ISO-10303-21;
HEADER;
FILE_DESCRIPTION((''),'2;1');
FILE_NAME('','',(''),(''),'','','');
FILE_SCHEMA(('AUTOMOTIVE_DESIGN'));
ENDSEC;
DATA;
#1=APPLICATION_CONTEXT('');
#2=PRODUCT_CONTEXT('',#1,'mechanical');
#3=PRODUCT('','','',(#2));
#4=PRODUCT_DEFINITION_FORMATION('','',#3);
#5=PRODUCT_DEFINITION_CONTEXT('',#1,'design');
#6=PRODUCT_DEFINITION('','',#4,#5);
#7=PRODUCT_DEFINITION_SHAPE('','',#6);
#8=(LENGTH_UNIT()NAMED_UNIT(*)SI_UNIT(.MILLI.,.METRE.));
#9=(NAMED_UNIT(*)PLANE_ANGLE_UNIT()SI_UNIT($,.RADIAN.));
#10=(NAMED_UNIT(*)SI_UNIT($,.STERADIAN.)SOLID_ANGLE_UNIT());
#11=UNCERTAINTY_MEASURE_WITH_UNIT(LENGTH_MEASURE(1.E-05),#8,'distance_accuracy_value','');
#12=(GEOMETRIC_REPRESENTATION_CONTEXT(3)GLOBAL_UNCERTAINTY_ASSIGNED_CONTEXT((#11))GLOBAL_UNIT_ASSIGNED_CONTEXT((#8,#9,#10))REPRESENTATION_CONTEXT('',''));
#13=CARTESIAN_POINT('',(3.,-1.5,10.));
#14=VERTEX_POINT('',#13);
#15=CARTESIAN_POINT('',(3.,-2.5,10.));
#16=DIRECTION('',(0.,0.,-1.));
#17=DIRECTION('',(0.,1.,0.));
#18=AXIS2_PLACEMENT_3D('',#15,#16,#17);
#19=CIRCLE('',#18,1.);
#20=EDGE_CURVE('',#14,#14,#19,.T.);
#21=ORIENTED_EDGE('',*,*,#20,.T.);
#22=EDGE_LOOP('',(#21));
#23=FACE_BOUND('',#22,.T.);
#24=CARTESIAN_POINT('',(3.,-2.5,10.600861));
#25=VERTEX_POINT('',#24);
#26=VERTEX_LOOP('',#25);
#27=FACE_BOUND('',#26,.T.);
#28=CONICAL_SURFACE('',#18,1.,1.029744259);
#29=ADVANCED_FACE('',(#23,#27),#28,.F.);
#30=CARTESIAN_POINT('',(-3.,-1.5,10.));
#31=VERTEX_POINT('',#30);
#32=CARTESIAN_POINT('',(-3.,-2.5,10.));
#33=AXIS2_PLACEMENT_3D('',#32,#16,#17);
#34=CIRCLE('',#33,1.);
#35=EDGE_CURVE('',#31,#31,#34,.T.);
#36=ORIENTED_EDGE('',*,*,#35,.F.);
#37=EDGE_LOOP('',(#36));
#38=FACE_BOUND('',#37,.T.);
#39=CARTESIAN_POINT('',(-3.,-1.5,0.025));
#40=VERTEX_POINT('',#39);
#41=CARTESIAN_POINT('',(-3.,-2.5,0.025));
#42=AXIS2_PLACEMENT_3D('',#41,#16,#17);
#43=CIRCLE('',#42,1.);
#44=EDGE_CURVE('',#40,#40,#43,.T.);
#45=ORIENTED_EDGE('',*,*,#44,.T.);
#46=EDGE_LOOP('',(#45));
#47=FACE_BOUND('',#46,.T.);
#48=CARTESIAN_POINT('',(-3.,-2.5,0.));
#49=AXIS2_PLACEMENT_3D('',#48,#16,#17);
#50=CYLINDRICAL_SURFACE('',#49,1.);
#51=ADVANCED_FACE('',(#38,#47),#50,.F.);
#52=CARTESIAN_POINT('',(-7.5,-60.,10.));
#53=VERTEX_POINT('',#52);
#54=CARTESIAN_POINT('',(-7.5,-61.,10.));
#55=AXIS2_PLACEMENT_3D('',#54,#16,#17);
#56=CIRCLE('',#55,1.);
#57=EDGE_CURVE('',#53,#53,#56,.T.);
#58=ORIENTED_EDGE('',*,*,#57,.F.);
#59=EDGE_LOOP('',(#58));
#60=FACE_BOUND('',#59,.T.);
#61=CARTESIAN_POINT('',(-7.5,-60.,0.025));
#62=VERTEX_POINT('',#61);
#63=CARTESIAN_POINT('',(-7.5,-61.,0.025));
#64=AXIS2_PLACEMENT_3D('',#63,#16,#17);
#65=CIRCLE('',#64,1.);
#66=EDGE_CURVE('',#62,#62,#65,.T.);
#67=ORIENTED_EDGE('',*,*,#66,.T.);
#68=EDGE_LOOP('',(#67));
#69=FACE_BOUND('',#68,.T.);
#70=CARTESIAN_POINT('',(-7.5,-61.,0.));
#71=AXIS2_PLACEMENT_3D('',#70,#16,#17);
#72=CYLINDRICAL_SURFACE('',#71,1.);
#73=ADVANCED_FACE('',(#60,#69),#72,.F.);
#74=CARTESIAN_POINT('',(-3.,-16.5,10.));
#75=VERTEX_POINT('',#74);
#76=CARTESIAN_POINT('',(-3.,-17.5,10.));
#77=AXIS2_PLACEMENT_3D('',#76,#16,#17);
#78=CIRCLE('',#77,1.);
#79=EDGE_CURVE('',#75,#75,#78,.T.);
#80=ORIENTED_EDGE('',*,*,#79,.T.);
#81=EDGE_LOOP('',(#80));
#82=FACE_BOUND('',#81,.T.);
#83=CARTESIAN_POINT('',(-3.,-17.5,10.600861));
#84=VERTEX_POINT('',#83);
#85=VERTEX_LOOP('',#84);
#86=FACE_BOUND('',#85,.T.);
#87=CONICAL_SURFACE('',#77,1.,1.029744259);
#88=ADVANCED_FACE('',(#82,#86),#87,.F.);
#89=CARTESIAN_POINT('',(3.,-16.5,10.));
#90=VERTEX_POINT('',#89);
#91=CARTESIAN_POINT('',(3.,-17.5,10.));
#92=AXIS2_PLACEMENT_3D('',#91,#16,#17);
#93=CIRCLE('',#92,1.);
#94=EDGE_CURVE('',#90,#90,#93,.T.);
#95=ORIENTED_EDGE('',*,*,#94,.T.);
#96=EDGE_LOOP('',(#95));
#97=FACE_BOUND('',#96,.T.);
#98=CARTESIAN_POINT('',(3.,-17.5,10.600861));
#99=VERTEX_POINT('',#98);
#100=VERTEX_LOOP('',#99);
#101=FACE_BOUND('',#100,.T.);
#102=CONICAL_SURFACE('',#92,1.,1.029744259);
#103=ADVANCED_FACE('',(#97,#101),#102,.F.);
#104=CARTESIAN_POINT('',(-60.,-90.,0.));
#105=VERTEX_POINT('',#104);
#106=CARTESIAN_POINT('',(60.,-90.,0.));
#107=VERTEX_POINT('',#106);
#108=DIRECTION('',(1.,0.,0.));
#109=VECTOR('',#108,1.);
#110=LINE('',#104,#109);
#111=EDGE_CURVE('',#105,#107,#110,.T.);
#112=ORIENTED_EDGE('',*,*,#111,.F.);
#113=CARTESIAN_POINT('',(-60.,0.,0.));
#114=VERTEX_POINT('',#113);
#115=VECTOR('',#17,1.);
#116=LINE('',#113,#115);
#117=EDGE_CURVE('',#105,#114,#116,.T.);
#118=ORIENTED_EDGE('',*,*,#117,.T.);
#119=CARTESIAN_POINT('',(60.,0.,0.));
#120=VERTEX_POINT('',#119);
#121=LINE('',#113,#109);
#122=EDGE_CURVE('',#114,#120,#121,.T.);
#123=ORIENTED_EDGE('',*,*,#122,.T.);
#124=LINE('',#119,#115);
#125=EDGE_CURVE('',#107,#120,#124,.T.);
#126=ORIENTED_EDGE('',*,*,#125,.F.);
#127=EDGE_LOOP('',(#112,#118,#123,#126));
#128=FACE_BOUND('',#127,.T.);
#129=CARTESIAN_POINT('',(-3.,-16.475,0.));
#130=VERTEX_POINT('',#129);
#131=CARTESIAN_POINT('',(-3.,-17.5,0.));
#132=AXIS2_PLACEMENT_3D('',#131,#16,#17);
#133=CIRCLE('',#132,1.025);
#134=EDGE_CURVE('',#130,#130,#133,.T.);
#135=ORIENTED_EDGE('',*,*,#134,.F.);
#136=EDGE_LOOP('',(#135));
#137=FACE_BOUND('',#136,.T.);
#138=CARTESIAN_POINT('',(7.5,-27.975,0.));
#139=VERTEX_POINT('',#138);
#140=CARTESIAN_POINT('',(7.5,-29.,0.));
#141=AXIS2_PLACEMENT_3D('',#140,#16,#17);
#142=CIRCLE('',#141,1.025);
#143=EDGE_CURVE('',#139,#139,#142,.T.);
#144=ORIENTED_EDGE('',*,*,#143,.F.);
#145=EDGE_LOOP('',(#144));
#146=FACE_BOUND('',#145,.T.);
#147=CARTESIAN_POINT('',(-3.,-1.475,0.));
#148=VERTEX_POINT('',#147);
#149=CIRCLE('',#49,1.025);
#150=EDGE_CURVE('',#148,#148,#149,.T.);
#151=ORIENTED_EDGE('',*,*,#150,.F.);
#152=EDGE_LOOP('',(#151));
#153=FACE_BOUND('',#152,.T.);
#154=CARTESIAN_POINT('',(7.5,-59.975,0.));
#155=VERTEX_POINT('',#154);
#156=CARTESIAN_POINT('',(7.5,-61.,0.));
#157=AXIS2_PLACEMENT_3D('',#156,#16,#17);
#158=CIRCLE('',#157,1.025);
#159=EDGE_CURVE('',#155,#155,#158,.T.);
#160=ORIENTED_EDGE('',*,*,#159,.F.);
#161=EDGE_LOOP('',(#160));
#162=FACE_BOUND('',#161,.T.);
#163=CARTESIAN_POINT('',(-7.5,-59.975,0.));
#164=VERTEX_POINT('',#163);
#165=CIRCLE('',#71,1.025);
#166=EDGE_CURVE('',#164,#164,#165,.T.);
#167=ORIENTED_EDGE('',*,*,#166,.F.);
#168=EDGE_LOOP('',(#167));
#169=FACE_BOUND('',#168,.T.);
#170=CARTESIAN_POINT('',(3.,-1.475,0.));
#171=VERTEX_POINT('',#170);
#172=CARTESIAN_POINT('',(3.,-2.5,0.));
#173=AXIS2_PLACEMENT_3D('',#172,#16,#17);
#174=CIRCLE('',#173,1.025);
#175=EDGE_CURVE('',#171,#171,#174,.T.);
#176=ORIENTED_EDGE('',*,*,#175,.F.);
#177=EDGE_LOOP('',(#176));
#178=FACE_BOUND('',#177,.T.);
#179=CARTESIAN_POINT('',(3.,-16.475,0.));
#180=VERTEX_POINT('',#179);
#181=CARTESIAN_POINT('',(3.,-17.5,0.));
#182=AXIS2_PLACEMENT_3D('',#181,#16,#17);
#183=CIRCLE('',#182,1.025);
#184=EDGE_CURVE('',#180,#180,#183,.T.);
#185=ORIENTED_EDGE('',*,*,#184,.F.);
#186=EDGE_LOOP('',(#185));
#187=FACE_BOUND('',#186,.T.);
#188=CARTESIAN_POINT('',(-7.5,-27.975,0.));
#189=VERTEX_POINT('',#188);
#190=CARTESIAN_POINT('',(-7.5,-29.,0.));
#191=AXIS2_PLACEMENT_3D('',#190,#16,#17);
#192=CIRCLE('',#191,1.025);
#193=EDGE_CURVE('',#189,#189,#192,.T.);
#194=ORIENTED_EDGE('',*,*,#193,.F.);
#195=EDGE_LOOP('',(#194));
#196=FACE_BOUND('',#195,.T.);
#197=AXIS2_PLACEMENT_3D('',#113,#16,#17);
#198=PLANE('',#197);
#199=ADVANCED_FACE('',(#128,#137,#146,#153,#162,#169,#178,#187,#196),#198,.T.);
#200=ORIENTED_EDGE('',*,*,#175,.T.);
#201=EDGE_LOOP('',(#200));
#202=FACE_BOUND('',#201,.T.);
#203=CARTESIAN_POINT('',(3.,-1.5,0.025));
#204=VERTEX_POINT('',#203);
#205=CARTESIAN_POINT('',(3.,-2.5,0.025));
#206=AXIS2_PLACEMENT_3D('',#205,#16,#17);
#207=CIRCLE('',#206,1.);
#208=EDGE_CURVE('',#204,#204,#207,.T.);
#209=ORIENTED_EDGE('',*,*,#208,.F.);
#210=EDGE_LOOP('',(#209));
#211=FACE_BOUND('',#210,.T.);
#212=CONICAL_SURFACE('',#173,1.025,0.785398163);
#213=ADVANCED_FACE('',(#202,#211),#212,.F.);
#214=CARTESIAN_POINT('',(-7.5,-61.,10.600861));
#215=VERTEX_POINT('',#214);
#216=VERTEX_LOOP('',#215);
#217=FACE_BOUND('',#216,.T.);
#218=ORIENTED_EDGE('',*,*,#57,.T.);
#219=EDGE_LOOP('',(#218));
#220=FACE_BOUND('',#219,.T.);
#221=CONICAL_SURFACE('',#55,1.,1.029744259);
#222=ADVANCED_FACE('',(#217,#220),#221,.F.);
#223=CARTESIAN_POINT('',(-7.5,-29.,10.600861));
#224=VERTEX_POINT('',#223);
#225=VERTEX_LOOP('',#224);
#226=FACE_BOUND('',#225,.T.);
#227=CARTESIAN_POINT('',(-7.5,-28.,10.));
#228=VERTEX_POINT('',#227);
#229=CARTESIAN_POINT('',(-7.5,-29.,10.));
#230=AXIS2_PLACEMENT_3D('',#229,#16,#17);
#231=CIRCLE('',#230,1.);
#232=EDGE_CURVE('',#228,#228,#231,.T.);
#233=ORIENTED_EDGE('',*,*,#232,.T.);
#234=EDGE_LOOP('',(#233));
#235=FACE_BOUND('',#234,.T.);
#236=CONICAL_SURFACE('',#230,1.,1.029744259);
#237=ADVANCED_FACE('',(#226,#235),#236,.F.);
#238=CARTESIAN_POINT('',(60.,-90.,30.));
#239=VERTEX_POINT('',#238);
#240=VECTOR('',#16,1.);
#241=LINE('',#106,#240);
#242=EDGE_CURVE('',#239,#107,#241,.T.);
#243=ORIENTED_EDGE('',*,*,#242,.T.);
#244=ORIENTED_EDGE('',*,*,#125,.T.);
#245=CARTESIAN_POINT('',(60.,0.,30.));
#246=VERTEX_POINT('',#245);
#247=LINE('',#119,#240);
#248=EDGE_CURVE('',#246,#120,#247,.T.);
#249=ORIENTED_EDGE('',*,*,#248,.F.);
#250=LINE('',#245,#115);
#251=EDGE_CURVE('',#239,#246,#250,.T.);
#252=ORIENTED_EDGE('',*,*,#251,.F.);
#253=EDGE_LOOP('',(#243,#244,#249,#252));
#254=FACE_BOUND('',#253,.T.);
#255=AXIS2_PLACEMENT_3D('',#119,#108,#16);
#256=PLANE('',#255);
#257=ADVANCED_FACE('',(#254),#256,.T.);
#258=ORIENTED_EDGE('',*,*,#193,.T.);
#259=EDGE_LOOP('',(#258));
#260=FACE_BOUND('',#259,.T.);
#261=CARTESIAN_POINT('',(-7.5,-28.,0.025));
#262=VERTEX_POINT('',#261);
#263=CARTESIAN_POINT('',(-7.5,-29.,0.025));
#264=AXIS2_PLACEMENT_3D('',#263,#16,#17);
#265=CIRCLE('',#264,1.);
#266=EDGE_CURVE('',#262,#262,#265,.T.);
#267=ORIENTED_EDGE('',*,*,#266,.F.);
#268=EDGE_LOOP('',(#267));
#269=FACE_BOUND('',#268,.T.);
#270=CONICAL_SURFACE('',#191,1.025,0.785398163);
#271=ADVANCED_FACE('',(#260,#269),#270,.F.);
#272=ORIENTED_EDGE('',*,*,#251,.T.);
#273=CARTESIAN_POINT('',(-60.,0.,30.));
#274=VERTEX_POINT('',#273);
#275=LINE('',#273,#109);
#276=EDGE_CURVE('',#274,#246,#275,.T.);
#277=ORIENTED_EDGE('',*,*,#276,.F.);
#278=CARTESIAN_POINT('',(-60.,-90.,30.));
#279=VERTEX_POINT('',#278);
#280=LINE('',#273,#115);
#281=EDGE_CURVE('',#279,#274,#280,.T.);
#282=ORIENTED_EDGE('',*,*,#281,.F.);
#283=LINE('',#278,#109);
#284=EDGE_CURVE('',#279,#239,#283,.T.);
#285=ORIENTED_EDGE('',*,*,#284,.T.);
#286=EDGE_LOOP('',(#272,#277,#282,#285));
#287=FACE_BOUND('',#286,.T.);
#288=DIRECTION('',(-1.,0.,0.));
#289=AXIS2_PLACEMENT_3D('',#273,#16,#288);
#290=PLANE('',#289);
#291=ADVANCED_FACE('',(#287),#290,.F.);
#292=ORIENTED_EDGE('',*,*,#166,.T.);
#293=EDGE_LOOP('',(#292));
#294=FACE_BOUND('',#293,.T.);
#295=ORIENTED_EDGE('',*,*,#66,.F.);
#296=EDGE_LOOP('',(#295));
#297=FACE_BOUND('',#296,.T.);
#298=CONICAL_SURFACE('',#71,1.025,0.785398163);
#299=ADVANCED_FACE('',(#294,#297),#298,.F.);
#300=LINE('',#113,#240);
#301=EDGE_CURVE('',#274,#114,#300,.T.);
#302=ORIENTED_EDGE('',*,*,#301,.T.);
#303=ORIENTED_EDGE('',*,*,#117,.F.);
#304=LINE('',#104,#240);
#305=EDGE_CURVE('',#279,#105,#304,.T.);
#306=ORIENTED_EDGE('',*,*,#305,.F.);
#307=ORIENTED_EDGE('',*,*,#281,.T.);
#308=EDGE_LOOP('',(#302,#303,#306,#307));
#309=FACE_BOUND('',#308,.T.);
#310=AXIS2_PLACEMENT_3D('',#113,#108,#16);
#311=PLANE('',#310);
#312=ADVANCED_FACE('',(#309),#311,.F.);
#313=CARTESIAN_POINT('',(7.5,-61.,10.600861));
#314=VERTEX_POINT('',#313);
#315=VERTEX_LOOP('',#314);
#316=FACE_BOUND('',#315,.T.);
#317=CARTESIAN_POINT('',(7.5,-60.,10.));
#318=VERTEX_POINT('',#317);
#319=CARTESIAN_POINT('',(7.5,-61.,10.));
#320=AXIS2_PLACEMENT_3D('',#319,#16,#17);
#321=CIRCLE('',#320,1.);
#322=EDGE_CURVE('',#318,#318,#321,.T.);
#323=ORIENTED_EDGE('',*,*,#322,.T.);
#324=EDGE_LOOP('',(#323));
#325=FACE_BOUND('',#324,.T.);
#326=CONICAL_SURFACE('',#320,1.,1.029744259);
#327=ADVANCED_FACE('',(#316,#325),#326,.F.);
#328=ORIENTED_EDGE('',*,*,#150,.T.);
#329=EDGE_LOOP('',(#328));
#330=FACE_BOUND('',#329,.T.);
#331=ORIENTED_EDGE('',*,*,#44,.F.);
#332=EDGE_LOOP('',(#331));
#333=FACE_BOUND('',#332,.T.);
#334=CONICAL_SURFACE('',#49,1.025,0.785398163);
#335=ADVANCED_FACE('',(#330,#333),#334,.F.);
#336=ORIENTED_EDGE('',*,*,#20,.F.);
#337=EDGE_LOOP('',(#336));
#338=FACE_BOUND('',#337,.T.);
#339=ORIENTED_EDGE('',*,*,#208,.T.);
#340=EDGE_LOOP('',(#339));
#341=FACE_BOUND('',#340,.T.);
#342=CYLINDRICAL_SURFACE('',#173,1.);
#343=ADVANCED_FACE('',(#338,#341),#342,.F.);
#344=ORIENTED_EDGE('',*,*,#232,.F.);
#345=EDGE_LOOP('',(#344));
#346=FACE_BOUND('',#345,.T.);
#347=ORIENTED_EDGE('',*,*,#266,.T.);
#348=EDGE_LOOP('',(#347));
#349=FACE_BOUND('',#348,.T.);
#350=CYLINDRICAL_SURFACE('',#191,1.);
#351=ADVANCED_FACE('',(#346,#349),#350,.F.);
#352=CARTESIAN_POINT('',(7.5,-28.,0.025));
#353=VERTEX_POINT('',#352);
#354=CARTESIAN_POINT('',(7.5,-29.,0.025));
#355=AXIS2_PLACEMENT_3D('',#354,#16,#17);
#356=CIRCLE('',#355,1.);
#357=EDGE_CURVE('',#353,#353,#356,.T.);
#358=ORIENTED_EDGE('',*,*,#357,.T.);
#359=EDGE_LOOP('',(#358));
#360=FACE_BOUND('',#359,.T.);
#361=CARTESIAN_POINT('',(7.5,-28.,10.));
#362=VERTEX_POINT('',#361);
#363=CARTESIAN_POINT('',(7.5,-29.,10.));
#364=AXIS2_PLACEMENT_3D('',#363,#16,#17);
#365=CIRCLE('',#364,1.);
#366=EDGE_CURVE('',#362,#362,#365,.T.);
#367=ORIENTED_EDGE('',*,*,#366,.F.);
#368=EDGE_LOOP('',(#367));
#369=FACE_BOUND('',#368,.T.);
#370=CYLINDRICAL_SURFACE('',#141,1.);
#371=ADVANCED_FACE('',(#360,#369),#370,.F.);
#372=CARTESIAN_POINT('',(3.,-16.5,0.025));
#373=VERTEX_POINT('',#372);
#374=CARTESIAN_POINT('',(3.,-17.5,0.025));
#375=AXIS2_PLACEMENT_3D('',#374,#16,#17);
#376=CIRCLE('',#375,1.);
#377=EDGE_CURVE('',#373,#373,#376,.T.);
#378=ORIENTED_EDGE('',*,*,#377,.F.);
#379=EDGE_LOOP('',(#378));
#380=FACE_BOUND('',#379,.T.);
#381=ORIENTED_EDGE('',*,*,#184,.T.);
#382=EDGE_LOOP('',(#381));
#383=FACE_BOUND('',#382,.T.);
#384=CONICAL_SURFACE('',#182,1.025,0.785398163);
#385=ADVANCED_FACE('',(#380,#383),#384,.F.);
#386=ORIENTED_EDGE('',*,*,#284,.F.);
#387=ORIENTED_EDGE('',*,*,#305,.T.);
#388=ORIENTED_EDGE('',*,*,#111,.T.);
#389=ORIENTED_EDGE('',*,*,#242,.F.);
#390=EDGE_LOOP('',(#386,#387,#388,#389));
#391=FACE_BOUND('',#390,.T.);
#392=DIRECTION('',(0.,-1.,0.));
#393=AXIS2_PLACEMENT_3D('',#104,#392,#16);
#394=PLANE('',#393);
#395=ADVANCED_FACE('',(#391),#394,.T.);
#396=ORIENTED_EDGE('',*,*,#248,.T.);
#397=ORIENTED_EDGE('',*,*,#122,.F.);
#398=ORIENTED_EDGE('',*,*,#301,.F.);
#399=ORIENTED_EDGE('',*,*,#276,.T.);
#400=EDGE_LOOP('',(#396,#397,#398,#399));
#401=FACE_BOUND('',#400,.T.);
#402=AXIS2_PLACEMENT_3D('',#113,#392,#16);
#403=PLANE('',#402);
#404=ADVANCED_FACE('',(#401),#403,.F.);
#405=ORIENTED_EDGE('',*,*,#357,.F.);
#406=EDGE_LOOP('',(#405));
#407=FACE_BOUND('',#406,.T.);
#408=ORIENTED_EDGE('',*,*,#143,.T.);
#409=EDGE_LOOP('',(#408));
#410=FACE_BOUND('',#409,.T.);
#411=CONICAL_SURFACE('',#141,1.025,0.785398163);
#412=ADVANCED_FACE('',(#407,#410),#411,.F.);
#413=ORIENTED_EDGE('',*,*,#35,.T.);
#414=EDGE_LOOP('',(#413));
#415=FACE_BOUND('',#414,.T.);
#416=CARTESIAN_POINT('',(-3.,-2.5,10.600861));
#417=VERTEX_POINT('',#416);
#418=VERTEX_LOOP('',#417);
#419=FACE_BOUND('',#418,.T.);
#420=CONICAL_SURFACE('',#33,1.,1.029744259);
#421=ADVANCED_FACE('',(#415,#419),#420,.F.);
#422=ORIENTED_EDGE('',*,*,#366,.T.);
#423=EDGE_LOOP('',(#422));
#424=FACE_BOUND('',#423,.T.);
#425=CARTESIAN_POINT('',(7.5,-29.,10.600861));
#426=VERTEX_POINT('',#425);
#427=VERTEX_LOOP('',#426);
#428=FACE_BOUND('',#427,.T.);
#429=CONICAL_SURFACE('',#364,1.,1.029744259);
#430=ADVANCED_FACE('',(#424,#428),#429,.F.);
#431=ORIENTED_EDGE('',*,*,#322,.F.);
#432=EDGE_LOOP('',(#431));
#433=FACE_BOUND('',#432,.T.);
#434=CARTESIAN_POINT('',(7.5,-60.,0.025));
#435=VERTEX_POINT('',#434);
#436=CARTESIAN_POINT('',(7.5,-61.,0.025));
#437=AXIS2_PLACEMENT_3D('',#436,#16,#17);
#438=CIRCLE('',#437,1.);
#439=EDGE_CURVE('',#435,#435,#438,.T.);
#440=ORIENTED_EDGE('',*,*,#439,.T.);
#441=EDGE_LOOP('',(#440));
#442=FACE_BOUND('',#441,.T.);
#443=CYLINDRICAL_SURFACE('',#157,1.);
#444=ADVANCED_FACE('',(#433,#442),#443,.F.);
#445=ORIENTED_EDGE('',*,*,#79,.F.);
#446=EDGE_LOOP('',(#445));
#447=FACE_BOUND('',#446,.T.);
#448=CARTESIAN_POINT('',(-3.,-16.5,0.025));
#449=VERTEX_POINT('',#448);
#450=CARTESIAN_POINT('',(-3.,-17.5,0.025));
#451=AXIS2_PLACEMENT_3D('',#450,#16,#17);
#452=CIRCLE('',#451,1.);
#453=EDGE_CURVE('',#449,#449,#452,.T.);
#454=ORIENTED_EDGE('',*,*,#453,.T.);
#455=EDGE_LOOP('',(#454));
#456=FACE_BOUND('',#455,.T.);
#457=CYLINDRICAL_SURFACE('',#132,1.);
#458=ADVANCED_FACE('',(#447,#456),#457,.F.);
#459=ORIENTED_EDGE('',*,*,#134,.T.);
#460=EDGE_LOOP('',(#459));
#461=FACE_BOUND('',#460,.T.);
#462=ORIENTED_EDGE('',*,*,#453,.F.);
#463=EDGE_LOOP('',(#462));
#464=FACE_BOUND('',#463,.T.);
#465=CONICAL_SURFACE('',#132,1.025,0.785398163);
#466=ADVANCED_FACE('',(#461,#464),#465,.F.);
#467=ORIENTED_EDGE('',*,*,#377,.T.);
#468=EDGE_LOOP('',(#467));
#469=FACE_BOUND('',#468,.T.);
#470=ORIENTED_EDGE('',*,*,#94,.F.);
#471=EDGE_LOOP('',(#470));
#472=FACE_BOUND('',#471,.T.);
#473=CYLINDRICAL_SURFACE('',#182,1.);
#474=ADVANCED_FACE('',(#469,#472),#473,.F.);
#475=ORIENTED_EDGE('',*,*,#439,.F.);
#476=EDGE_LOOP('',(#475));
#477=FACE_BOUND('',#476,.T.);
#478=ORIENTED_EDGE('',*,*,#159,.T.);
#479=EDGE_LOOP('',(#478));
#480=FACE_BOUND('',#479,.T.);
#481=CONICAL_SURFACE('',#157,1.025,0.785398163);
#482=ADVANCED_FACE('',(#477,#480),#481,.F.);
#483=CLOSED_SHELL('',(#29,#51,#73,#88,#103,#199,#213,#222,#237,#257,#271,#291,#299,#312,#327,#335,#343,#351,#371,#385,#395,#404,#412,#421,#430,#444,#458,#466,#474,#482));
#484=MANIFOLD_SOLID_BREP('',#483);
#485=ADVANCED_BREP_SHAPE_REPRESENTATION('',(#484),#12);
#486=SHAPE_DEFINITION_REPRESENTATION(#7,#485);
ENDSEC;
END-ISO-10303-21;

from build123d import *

# Parameters (mm, degrees)
BOSS_EXTRUDE2_DEPTH             = 60
BOSS_EXTRUDE2_DEPTH_BACK        = 60
SKETCH1_W                       = 90
SKETCH1_H                       = 30
F_2_0MM_DOWEL_HOLE1_D           = 2
F_2_0MM_DOWEL_HOLE1_DEPTH       = 10
F_2_0MM_DOWEL_HOLE1_CSINK_D     = 2.05
F_2_0MM_DOWEL_HOLE1_CSINK_ANGLE = 90
F_2_0MM_DOWEL_HOLE1_TIP         = 0.600860619
F_2_0MM_DOWEL_HOLE2_D           = 2
F_2_0MM_DOWEL_HOLE2_DEPTH       = 10
F_2_0MM_DOWEL_HOLE2_CSINK_D     = 2.05
F_2_0MM_DOWEL_HOLE2_CSINK_ANGLE = 90
F_2_0MM_DOWEL_HOLE2_TIP         = 0.600860619


with BuildPart() as part:
    # Sketch1 → Boss-Extrude2 (new, two sides: drawn at the far end of the back side and taken through both)
    with BuildSketch(Plane.YZ.offset(-BOSS_EXTRUDE2_DEPTH_BACK)):
        with Locations((-45, 15)):
            Rectangle(SKETCH1_W, SKETCH1_H)
    extrude(amount=BOSS_EXTRUDE2_DEPTH + BOSS_EXTRUDE2_DEPTH_BACK)

    # Ø2.0mm Dowel Hole1
    with Locations(Plane(origin=(0, 0, 0), x_dir=(1, 0, 0), z_dir=(0, 0, -1))):
        with Locations((7.5, 29), (-7.5, 61), (-7.5, 29), (7.5, 61)):
            CounterSinkHole(F_2_0MM_DOWEL_HOLE1_D / 2, F_2_0MM_DOWEL_HOLE1_CSINK_D / 2, depth=F_2_0MM_DOWEL_HOLE1_DEPTH, counter_sink_angle=F_2_0MM_DOWEL_HOLE1_CSINK_ANGLE)
            with Locations((0, 0, -(F_2_0MM_DOWEL_HOLE1_DEPTH + F_2_0MM_DOWEL_HOLE1_TIP / 2))):  # 118° drill point
                Cone(0, F_2_0MM_DOWEL_HOLE1_D / 2, F_2_0MM_DOWEL_HOLE1_TIP, mode=Mode.SUBTRACT)

    # Ø2.0mm Dowel Hole2
    with Locations(Plane(origin=(0, 0, 0), x_dir=(1, 0, 0), z_dir=(0, 0, -1))):
        with Locations((-3, 2.5), (-3, 17.5), (3, 17.5), (3, 2.5)):
            CounterSinkHole(F_2_0MM_DOWEL_HOLE2_D / 2, F_2_0MM_DOWEL_HOLE2_CSINK_D / 2, depth=F_2_0MM_DOWEL_HOLE2_DEPTH, counter_sink_angle=F_2_0MM_DOWEL_HOLE2_CSINK_ANGLE)
            with Locations((0, 0, -(F_2_0MM_DOWEL_HOLE2_DEPTH + F_2_0MM_DOWEL_HOLE2_TIP / 2))):  # 118° drill point
                Cone(0, F_2_0MM_DOWEL_HOLE2_D / 2, F_2_0MM_DOWEL_HOLE2_TIP, mode=Mode.SUBTRACT)


solid = part.part
